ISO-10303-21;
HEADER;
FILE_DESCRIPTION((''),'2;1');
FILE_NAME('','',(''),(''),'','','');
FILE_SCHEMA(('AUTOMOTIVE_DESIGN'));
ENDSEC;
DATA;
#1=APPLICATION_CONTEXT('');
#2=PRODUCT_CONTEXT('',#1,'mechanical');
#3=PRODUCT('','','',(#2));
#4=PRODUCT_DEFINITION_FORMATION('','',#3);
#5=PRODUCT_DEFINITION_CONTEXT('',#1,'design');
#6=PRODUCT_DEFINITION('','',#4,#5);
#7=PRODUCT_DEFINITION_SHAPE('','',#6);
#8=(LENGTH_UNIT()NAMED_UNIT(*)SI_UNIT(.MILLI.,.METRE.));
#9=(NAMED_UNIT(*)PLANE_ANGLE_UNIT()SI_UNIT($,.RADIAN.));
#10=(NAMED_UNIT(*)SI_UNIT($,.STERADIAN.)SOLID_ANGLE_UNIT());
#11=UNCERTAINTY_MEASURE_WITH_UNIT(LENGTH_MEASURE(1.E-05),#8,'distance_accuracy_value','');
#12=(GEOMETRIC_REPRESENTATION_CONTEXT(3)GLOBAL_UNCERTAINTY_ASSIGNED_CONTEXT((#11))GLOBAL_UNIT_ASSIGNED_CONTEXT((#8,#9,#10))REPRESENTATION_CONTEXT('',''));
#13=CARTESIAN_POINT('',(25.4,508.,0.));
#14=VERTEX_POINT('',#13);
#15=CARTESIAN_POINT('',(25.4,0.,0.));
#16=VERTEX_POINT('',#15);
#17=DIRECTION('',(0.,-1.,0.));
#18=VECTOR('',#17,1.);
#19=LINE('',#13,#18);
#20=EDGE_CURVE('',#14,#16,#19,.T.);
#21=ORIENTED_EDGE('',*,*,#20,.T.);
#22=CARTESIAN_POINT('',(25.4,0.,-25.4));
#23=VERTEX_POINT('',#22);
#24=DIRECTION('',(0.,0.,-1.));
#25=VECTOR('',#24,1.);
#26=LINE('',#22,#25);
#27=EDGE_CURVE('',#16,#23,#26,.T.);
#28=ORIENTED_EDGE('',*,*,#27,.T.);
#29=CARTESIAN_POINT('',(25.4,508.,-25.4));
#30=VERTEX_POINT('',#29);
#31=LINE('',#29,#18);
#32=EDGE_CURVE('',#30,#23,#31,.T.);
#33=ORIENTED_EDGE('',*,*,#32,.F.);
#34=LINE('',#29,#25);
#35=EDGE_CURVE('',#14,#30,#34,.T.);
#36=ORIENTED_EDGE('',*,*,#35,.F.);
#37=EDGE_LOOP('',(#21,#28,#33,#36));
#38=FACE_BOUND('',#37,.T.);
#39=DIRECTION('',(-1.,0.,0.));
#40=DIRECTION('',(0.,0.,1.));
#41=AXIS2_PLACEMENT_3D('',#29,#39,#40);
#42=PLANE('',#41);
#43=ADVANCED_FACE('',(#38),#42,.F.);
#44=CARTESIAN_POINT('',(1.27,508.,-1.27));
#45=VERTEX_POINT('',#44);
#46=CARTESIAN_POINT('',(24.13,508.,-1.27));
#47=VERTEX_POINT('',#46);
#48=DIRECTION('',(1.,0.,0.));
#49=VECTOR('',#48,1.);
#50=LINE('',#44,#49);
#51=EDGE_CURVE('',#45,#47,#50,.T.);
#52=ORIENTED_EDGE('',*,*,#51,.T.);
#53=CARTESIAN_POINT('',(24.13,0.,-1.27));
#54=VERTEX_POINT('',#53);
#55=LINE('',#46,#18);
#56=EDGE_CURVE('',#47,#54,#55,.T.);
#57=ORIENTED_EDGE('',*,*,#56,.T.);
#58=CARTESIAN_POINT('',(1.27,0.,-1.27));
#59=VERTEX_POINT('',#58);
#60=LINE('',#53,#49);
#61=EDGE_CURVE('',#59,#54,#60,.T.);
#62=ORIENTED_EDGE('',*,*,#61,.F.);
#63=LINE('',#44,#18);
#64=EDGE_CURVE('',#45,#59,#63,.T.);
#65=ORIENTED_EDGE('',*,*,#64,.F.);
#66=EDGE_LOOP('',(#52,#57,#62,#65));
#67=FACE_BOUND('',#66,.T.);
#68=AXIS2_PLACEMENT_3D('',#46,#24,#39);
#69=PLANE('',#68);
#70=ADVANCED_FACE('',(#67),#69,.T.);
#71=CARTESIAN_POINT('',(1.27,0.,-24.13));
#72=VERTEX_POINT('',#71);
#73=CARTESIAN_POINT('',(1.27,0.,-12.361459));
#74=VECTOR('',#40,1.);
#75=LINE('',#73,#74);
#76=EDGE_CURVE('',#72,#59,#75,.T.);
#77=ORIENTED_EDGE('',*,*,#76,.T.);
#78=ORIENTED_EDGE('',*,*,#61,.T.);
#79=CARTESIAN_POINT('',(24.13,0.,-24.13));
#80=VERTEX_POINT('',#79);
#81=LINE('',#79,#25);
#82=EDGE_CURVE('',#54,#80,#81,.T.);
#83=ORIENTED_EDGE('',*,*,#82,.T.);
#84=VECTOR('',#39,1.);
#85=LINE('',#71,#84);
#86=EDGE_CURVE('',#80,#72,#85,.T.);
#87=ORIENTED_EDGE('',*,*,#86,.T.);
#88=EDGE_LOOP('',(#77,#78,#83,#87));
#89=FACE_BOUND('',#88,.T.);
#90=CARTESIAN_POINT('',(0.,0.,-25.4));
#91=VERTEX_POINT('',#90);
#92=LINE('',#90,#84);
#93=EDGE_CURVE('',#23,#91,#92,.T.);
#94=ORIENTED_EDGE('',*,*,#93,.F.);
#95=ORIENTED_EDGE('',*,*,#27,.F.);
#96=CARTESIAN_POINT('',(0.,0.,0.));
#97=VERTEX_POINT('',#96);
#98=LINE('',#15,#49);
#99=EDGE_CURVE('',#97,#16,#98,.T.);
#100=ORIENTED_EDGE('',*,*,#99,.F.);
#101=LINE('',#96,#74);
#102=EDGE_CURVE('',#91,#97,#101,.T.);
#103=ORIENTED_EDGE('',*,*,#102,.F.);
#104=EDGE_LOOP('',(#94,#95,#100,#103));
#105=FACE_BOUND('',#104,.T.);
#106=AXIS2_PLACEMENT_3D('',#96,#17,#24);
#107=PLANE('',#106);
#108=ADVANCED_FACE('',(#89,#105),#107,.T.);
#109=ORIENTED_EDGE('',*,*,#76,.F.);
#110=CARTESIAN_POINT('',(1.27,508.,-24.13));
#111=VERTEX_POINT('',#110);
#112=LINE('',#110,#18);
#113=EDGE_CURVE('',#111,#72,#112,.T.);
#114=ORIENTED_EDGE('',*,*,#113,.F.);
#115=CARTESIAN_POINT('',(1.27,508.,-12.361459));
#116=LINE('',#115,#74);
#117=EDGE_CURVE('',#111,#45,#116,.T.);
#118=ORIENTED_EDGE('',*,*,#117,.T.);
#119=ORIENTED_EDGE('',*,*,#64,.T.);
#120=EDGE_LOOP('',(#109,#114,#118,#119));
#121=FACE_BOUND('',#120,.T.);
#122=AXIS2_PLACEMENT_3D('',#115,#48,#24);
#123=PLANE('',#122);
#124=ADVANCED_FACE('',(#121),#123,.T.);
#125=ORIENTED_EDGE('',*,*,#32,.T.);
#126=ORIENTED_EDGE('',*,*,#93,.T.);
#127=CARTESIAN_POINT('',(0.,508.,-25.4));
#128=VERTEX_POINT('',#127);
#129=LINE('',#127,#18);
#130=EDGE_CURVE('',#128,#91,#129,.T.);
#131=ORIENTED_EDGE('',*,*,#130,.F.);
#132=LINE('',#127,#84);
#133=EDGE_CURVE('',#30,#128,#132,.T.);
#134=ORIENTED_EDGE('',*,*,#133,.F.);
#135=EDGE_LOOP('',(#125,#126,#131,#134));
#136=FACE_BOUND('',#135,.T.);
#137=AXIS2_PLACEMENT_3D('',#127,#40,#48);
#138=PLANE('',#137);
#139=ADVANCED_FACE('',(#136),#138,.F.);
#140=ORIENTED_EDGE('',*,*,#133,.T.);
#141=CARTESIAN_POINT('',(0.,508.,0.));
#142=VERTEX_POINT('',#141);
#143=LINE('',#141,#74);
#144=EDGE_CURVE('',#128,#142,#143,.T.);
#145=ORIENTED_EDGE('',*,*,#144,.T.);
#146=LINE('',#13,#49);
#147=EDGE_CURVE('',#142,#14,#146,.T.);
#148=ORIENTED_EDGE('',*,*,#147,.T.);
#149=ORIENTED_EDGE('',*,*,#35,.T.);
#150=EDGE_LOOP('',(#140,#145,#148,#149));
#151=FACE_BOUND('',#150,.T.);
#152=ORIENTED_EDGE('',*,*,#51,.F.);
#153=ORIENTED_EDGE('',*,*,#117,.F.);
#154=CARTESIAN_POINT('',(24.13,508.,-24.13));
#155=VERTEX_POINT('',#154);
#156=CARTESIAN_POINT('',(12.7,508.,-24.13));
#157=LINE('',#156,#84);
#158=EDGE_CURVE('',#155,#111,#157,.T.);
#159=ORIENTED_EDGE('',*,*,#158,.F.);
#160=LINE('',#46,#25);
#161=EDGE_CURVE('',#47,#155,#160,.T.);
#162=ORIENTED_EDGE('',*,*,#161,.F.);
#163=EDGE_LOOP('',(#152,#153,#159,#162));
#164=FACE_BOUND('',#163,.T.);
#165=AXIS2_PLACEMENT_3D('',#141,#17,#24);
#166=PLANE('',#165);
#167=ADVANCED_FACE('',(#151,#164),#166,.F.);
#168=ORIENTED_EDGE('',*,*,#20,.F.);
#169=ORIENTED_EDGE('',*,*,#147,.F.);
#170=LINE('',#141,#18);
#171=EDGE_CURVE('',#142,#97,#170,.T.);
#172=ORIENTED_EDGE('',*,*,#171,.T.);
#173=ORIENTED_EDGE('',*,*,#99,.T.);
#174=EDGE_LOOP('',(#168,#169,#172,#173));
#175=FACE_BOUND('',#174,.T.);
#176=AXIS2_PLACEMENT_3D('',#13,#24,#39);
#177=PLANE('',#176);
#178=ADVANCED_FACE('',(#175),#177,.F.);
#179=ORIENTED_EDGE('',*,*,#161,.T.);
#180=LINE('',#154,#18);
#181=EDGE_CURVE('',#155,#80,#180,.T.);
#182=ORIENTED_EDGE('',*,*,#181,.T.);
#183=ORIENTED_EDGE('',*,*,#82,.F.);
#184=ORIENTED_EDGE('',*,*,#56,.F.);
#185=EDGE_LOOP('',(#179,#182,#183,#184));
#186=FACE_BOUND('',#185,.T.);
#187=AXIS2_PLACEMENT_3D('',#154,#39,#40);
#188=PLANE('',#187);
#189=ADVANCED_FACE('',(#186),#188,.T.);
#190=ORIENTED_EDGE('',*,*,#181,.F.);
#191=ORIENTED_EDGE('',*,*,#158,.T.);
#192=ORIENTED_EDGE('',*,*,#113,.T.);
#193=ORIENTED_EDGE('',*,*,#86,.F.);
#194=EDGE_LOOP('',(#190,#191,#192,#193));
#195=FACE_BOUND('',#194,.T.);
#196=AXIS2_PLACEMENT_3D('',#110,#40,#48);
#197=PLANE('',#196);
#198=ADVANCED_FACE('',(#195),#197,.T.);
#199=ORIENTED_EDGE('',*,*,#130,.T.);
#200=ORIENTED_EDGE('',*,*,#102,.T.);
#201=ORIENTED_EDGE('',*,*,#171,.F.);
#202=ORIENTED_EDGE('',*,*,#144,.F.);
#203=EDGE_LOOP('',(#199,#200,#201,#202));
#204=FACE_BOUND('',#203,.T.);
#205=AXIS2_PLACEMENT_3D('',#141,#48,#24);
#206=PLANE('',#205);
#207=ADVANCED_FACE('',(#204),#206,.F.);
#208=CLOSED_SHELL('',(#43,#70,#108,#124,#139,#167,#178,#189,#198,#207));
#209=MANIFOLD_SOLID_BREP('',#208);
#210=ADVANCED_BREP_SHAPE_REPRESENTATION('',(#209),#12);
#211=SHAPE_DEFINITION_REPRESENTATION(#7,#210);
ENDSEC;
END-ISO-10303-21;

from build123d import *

# Parameters (mm, degrees)
SKETCH1_W           = 25.4
SKETCH1_H           = 25.4
BOSS_EXTRUDE1_DEPTH = 508


with BuildPart() as part:
    # Sketch1 → Boss-Extrude1 (new body)
    with BuildSketch(Plane(origin=(0, 0, 0), x_dir=(1, 0, 0), z_dir=(0, 1, 0))):
        with Locations((12.7, 12.7)):
            Rectangle(SKETCH1_W, SKETCH1_H)
        Polygon((1.27, 12.361459156), (1.27, 24.13), (12.7, 24.13), (24.13, 24.13), (24.13, 12.7), (24.13, 1.27), (12.7, 1.27), (1.27, 1.27), align=None, mode=Mode.SUBTRACT)
    extrude(amount=BOSS_EXTRUDE1_DEPTH)


solid = part.part
